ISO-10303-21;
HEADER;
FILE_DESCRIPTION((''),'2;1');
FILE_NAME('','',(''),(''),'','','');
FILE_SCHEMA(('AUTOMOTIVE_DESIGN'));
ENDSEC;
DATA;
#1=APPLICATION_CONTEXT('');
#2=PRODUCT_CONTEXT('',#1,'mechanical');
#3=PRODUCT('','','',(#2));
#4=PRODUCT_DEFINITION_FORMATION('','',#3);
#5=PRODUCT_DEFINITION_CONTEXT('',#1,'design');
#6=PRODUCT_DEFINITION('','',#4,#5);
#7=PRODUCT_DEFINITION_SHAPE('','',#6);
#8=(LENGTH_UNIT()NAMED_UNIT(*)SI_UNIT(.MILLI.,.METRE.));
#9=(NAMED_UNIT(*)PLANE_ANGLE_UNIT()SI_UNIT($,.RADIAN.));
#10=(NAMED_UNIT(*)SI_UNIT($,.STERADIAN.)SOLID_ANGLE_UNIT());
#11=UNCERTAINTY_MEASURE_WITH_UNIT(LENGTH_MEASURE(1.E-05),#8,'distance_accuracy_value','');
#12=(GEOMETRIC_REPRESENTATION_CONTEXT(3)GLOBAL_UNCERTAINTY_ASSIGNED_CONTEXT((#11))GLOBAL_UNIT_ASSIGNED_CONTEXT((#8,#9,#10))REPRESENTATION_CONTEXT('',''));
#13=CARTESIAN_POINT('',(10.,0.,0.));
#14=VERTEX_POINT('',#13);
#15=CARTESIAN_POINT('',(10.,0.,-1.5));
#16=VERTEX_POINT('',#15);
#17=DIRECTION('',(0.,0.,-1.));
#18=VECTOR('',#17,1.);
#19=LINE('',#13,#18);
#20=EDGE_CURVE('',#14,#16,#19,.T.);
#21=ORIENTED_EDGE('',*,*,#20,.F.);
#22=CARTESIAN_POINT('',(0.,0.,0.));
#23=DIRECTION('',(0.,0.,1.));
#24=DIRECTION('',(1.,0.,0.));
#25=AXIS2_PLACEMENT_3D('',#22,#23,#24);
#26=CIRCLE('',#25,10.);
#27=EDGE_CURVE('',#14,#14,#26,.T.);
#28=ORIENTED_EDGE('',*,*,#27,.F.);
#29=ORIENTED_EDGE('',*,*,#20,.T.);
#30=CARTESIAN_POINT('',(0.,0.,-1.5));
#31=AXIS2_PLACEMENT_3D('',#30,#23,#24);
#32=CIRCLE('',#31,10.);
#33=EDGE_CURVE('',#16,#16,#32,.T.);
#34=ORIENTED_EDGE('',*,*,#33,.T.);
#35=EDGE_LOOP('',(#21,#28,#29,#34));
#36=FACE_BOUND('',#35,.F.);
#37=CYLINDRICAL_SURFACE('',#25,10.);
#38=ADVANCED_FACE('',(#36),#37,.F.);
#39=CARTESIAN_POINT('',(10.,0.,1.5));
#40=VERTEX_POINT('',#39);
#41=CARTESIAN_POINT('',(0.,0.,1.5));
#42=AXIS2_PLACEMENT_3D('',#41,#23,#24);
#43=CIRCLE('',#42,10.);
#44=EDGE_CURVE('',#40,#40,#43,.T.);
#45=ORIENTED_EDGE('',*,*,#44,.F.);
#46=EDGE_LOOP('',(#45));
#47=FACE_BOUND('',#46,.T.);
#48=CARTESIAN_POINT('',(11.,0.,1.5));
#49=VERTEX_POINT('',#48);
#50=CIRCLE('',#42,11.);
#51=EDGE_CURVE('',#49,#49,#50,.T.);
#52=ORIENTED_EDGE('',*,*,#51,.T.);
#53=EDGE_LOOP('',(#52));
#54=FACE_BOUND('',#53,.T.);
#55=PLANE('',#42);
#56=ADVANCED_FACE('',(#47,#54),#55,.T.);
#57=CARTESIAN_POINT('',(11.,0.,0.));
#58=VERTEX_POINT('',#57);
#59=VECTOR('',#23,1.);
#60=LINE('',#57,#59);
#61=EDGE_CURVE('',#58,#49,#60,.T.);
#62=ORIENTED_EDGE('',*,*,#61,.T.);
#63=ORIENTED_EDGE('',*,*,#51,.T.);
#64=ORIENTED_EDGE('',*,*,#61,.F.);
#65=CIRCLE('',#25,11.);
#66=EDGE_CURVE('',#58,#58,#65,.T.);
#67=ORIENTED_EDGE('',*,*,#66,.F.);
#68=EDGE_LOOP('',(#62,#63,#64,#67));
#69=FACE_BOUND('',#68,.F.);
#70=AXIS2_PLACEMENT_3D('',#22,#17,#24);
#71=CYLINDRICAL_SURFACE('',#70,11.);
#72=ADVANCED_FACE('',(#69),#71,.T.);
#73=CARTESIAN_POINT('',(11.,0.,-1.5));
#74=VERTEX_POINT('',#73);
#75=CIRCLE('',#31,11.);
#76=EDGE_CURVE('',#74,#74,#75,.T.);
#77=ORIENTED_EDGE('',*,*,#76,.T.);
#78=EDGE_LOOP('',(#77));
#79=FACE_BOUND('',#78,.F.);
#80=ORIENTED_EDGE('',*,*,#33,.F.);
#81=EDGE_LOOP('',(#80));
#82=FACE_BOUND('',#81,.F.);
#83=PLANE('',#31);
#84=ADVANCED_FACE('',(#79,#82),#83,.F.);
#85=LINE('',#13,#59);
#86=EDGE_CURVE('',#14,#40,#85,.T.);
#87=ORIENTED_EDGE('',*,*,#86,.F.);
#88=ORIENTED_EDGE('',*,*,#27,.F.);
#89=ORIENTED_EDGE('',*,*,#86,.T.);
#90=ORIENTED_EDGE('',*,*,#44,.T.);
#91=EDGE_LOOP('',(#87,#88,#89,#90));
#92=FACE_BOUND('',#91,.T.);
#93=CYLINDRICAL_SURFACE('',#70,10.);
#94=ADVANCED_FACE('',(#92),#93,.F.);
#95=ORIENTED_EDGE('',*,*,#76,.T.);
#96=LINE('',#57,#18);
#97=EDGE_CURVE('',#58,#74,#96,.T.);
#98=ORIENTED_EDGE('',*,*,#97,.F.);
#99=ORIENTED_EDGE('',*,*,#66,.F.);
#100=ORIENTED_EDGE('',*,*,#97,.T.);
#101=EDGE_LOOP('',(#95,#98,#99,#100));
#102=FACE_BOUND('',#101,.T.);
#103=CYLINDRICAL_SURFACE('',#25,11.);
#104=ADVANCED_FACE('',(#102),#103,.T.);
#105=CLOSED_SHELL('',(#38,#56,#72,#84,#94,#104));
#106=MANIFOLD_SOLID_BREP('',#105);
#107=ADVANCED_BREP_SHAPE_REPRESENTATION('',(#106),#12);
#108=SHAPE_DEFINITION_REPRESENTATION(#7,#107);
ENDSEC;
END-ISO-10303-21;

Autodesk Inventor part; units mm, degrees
ref_plane "YZ Plane" through (0, 0, 0) normal (1, 0, 0) x (0, 1, 0)
ref_plane "XZ Plane" through (0, 0, 0) normal (0, 1, 0) x (-1, 0, 0)
ref_plane "XY Plane" through (0, 0, 0) normal (0, 0, 1) x (1, 0, 0)
sketch "Sketch1" plane through (0, 0, 0) normal (0, 0, 1) x (1, 0, 0)
  circle A0 centre (0, 0) radius 11
  circle A1 centre (0, 0) radius 10
  dimension "d0" = 22
  dimension "d1" = 20
extrude "Extrusion1" add sketch "Sketch1" along normal mid plane 3
properties part number "15fitting" material "Gold"
